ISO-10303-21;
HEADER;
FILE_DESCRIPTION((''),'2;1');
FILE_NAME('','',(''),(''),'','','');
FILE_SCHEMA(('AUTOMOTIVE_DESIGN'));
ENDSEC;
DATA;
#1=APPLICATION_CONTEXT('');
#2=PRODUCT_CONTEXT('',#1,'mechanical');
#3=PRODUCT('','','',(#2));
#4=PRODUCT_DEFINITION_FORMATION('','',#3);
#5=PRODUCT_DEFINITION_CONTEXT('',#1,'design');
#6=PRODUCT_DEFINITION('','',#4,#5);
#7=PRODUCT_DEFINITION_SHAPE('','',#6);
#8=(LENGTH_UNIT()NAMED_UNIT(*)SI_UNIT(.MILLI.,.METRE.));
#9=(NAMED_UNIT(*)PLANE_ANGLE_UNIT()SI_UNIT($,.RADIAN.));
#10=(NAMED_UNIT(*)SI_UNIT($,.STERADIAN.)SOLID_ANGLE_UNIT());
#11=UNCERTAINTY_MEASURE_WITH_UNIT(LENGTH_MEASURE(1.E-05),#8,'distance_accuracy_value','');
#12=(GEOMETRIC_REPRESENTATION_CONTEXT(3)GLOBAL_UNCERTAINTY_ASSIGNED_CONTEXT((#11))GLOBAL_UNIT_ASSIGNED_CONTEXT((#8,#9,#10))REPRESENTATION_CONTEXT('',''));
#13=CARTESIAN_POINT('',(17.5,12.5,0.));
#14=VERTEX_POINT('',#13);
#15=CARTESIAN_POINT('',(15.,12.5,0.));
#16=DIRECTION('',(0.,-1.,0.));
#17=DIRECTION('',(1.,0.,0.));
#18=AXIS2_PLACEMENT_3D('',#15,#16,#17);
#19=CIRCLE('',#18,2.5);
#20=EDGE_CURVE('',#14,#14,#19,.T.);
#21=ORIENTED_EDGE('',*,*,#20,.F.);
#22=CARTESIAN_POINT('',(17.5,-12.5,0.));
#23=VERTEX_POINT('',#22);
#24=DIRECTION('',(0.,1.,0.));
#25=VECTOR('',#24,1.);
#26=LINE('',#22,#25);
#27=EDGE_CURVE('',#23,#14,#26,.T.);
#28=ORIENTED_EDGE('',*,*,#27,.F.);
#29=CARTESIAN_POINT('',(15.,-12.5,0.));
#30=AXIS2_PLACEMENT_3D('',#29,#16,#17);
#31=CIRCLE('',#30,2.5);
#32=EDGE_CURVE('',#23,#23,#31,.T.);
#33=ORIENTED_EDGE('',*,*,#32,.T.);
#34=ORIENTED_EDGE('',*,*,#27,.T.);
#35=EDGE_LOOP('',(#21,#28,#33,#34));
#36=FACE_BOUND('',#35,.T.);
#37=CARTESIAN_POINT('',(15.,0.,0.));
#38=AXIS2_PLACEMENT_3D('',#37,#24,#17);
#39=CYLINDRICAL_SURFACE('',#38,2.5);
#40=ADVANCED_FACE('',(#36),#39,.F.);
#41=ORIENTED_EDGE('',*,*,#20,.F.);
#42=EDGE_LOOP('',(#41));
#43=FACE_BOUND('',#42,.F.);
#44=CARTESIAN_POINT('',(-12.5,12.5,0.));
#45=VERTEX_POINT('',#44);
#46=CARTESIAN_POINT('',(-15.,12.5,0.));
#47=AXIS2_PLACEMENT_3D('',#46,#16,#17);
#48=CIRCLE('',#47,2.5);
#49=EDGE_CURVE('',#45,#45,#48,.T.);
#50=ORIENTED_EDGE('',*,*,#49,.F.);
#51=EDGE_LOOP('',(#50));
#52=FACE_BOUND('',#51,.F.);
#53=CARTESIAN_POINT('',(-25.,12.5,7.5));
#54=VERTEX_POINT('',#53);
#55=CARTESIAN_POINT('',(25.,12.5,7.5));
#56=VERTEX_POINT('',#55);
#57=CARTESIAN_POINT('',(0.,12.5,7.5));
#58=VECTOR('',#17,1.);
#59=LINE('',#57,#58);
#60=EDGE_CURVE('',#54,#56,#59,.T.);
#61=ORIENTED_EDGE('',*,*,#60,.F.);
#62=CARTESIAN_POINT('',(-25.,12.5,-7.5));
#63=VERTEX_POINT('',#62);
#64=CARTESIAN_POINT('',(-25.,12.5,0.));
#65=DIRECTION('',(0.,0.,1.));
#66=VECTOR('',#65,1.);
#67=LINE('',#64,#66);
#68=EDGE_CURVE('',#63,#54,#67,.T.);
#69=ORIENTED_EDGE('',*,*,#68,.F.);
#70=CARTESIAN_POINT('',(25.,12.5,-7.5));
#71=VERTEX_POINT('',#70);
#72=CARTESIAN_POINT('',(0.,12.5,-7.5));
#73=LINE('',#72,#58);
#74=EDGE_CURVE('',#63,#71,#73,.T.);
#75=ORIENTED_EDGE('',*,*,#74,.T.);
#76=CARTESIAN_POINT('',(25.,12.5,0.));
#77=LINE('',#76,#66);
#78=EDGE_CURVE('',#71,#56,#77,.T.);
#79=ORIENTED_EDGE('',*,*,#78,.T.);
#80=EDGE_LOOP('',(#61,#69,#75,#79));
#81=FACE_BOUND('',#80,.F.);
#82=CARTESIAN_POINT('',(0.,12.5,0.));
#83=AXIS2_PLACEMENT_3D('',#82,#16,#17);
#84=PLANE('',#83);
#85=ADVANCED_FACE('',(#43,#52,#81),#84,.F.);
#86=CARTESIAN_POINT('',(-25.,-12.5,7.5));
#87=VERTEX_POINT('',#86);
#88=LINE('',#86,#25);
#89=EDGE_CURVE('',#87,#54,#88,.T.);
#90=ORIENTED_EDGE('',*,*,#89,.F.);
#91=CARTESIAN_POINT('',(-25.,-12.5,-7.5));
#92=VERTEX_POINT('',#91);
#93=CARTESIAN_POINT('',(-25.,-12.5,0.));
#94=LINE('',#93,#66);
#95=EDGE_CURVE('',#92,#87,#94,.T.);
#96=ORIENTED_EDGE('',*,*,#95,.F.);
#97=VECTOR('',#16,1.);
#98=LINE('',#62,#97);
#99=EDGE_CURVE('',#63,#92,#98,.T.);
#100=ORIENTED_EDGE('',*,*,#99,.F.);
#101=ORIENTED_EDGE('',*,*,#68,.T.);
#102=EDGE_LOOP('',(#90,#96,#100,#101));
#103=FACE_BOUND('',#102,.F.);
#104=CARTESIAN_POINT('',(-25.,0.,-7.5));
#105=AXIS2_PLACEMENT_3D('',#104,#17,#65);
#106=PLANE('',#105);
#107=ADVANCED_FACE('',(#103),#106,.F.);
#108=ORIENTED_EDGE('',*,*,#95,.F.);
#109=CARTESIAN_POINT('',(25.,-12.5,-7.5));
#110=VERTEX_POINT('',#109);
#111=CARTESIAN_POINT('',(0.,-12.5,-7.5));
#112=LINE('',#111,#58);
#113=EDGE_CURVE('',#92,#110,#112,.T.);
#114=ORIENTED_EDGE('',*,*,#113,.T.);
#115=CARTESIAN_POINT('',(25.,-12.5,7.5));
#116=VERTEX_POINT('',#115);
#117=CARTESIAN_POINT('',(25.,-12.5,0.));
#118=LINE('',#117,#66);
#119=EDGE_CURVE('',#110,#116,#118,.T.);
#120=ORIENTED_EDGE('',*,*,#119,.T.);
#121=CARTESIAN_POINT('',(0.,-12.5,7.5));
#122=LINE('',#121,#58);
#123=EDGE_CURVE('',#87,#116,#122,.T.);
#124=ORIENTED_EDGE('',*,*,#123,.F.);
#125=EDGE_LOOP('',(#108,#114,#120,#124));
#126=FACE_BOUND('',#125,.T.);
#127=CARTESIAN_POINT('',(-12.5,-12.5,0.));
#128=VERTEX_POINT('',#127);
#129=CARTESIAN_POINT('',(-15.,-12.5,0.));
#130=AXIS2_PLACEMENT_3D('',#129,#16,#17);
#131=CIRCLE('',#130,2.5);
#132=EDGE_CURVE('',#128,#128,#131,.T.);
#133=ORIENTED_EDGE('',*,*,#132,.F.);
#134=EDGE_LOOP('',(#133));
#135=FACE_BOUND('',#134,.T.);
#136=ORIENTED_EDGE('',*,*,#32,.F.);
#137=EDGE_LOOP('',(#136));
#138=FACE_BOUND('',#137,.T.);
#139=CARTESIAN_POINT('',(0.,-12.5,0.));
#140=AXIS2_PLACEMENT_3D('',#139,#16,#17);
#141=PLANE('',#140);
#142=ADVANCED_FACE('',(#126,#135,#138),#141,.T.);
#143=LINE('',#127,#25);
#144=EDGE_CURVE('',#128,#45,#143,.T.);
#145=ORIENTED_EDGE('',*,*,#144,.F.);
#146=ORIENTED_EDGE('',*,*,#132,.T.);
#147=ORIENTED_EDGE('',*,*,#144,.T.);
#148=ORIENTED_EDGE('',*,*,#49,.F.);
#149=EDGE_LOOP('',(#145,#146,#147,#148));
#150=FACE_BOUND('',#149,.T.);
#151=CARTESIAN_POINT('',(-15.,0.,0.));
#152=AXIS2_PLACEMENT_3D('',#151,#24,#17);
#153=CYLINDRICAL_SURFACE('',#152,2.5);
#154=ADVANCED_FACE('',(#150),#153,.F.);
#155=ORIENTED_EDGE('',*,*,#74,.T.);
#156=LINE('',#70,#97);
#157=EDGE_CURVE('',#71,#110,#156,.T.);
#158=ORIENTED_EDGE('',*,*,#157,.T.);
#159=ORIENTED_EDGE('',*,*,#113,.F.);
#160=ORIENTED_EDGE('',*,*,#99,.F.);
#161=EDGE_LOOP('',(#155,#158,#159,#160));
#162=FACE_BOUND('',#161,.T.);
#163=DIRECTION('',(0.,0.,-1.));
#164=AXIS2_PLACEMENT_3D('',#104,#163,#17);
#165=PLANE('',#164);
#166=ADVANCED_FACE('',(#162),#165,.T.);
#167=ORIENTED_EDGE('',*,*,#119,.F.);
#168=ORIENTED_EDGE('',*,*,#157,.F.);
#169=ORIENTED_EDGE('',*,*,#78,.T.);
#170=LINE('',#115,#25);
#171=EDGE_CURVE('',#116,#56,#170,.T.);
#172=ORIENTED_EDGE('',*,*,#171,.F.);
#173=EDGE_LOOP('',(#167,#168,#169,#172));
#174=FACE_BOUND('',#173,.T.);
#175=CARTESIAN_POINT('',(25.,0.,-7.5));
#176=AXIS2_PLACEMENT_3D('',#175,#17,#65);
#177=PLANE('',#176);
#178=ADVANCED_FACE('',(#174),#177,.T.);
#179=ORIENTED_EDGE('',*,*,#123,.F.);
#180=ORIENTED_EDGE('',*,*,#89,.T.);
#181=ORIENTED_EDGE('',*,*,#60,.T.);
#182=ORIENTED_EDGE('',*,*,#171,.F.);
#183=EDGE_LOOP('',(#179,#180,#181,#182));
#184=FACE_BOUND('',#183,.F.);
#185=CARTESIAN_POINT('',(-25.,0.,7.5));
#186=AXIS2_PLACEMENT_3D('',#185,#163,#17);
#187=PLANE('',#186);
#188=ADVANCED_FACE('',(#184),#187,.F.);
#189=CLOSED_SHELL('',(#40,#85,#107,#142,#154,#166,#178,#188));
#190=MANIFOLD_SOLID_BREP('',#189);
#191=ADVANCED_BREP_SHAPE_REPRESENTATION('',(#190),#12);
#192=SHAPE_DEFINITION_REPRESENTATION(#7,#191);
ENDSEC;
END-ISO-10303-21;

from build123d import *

# Parameters (mm, degrees)
F0_W     = 50
F0_H     = 15
F0_R     = 2.5
F1_DEPTH = 12.5


with BuildPart() as f1:
    # F0 (on Front) → F1 (new body, symmetric)
    with BuildSketch(Plane.XZ):
        Rectangle(F0_W, F0_H)
        with Locations((-15, 0)):
            Circle(F0_R, mode=Mode.SUBTRACT)
        with Locations((15, 0)):
            Circle(F0_R, mode=Mode.SUBTRACT)
    extrude(amount=F1_DEPTH, both=True)


solid = f1.part
